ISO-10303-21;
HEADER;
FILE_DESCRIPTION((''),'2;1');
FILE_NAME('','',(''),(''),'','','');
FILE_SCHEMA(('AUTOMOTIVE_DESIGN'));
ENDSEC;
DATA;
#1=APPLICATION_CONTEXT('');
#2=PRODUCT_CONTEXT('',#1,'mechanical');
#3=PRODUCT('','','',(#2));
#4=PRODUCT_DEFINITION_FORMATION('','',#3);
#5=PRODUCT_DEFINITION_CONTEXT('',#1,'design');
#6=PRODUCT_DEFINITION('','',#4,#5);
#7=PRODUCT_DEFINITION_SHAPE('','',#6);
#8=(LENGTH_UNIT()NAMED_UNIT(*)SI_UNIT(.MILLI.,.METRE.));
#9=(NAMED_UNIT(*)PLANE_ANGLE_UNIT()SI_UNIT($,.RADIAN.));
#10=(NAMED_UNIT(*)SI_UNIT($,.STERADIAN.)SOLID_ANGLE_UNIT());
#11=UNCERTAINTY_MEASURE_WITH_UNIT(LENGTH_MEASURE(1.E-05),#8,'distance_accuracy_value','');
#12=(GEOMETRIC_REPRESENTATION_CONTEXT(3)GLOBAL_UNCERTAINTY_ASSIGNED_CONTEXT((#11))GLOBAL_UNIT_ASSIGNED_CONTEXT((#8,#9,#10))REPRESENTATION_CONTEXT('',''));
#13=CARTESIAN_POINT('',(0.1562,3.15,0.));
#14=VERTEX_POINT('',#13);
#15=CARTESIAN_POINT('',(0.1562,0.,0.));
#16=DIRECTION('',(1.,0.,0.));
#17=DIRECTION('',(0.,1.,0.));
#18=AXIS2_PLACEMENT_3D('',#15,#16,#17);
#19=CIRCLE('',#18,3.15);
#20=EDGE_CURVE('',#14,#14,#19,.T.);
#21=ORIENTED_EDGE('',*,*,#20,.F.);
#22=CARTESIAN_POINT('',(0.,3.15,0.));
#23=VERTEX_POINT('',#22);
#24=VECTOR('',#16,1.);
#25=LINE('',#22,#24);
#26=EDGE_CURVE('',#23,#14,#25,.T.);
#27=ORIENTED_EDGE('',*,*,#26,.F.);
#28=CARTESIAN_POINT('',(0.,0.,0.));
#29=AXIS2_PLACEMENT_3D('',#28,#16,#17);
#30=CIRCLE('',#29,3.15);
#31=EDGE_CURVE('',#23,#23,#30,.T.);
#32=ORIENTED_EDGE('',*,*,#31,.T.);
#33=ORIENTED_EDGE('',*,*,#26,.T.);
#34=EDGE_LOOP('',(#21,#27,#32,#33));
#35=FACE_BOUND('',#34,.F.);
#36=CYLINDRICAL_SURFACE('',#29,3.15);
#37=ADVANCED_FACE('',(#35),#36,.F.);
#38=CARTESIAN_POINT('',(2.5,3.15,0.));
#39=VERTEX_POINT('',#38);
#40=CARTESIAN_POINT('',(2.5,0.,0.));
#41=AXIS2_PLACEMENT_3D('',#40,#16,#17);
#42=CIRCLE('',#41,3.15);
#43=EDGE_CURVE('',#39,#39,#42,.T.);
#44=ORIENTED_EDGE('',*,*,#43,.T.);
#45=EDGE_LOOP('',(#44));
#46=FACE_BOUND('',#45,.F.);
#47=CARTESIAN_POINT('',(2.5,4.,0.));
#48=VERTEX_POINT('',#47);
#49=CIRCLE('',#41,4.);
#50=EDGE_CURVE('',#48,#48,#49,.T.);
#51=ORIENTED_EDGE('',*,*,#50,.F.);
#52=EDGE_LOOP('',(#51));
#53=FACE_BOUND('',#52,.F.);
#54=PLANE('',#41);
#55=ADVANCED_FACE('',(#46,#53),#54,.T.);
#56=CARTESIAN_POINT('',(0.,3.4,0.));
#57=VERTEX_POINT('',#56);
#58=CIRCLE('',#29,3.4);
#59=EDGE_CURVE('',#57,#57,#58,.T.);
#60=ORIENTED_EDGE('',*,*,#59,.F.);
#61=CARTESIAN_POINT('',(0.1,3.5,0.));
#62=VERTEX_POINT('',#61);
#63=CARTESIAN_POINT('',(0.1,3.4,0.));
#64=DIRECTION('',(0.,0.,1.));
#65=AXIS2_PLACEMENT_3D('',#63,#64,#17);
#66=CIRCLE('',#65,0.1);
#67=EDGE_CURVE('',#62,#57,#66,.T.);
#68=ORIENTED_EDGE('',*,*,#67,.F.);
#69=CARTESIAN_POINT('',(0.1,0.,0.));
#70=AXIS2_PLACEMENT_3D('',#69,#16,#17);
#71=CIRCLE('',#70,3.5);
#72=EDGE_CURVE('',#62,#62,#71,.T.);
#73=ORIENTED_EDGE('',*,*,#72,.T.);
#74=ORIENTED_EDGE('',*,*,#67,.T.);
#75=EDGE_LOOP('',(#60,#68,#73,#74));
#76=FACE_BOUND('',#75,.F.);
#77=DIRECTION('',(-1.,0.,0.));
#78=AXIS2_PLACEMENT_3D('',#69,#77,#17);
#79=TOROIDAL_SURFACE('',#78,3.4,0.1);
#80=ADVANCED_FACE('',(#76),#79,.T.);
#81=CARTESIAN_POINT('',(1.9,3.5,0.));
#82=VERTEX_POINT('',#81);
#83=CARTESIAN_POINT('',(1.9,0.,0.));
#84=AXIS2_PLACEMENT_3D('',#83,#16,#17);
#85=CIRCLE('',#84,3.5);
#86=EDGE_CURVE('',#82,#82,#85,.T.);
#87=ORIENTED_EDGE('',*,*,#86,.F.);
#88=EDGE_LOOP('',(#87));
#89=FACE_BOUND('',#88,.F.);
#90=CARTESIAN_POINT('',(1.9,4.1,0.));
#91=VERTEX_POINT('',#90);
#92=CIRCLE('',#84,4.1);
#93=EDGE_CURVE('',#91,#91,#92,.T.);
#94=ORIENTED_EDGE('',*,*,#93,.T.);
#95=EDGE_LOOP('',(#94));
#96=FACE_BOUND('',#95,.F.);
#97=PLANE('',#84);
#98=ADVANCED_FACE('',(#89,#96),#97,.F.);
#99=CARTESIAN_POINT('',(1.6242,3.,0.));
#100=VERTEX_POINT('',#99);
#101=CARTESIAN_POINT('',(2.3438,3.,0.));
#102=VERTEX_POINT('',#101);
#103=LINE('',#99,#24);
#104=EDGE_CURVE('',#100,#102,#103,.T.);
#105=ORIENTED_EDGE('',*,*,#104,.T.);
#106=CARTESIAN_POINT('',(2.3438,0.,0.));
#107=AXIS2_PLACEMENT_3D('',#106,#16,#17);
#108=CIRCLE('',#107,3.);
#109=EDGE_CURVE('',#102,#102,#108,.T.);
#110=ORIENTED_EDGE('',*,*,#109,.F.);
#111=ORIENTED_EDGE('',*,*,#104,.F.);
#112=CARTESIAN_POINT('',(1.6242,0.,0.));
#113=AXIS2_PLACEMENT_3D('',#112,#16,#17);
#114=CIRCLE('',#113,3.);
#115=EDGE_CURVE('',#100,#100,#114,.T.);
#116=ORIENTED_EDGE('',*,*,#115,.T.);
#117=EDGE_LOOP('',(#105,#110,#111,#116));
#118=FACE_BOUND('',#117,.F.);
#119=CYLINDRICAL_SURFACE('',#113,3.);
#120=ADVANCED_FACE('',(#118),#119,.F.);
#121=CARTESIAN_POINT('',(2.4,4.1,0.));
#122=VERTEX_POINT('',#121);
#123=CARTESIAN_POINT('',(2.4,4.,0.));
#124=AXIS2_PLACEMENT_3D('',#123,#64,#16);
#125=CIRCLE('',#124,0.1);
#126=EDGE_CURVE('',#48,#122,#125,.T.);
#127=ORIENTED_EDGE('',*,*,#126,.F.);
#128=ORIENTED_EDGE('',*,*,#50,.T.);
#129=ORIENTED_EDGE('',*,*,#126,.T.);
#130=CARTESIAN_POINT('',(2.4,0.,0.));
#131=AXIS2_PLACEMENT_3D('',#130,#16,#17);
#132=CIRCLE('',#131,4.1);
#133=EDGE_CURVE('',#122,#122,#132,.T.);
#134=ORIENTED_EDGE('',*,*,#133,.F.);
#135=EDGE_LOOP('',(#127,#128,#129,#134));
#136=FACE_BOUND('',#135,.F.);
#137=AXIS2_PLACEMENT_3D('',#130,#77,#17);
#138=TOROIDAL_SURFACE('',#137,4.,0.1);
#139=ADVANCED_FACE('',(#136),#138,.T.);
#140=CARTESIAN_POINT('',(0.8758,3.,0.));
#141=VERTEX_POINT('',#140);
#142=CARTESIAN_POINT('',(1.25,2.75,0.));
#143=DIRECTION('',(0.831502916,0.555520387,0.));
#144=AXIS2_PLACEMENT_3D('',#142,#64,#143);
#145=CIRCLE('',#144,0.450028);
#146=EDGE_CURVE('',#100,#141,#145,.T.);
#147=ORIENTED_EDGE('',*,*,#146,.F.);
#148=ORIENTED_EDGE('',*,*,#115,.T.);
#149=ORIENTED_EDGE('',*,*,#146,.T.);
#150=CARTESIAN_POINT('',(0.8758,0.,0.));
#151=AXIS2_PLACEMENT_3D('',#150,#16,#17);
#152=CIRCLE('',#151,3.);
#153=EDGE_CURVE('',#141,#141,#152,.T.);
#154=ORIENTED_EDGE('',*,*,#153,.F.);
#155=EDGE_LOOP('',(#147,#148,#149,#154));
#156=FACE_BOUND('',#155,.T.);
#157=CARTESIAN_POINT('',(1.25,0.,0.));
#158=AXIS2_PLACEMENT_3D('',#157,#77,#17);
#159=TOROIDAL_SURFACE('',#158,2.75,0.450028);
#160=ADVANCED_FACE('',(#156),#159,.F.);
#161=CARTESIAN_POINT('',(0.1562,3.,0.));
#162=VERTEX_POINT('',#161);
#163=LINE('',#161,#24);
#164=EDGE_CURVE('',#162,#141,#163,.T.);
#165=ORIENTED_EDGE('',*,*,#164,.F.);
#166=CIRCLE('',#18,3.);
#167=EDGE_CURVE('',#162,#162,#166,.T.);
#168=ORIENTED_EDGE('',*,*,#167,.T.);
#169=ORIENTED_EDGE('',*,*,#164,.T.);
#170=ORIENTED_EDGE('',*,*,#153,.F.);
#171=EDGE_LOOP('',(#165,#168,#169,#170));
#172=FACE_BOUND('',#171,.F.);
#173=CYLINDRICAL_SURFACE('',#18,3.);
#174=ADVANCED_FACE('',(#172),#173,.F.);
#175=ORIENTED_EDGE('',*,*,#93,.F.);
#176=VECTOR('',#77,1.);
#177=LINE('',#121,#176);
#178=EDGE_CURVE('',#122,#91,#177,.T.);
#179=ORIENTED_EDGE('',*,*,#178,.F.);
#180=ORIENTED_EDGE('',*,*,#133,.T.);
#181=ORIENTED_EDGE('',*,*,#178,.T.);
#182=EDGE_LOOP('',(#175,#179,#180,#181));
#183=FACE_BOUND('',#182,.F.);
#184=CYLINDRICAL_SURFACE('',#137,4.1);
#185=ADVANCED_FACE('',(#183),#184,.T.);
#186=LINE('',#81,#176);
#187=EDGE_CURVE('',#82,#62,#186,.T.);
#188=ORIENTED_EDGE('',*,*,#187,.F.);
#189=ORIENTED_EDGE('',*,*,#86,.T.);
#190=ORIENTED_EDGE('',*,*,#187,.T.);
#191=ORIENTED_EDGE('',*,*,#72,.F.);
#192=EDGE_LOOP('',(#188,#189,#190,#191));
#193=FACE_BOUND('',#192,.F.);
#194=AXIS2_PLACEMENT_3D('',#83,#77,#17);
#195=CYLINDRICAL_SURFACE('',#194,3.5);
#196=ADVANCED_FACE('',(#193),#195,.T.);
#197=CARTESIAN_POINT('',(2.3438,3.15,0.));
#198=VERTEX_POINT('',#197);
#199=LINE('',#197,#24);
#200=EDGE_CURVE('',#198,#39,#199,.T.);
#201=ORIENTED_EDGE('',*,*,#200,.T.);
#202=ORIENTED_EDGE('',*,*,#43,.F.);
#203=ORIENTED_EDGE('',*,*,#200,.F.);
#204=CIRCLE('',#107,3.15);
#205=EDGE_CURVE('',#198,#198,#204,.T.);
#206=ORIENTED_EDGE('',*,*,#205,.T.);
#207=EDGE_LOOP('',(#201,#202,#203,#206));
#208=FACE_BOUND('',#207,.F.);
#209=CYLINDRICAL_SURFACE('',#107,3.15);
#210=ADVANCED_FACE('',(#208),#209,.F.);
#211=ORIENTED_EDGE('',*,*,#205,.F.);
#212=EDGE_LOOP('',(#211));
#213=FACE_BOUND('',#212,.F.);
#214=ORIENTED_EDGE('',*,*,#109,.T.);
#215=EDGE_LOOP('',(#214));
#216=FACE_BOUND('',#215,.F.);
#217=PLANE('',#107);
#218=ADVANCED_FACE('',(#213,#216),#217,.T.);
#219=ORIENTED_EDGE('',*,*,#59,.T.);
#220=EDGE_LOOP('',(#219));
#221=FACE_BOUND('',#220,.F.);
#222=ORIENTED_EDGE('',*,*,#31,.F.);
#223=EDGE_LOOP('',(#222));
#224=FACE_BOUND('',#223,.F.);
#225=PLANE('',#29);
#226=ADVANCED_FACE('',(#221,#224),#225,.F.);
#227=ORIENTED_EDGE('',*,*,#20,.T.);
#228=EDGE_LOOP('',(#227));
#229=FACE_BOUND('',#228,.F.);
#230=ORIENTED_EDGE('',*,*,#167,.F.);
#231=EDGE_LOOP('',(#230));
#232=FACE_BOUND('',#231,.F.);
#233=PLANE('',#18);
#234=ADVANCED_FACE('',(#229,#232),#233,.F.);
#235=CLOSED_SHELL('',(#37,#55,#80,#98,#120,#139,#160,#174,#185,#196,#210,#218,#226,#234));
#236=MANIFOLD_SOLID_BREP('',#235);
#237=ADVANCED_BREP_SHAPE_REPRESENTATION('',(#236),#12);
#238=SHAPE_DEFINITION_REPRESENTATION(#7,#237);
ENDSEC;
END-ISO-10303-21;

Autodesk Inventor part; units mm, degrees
sketch "Sketch_1" plane through (0, 0, 0) normal (0, 0, 1) x (1, 0, 0)
  line L0 (2.5, 0) -> (0, 0)
  line L1 (0, 3.15) -> (0.1562, 3.15)
  line L2 (0.1562, 3.15) -> (0.1562, 3)
  line L3 (0.1562, 3) -> (0.8758, 3)
  arc A0 (1.6242, 3) -> (0.8758, 3) centre (1.25, 2.75) ccw
  line L4 (1.6242, 3) -> (2.3438, 3)
  line L5 (2.3438, 3) -> (2.3438, 3.15)
  line L6 (2.3438, 3.15) -> (2.5, 3.15)
  line L7 (2.5, 3.15) -> (2.5, 4)
  arc A1 (2.5, 4) -> (2.4, 4.1) centre (2.4, 4) ccw
  line L8 (2.4, 4.1) -> (1.9, 4.1)
  line L9 (1.9, 4.1) -> (1.9, 3.5)
  line L10 (1.9, 3.5) -> (0.1, 3.5)
  arc A2 (0.1, 3.5) -> (0, 3.4) centre (0.1, 3.4) ccw
  line L11 (0, 3.4) -> (0, 3.15)
revolve "Revolution1" add sketch "Sketch_1" angle 360 about axis through (2.5, 0, 0) along (1, 0, 0)
ref_plane "ip_st_1_XY" through (0, 0, 0) normal (1, 0, 0) x (0, 0, -1)
ref_plane "ip_st_1_YZ" through (0, 0, 0) normal (0, 0, -1) x (0, 1, 0)
ref_plane "ip_st_1_ZX" through (0, 0, 0) normal (0, 1, 0) x (1, 0, 0)
ref_plane "ip_st_2_XY" through (2.3438, 0, 0) normal (-1, 0, 0) x (0, 0, -1)
ref_plane "ip_st_2_YZ" through (2.3438, 0, 0) normal (0, 0, -1) x (0, -1, 0)
ref_plane "ip_st_2_ZX" through (2.3438, 0, 0) normal (0, -1, 0) x (-1, 0, 0)
properties part number "MF74ZZ Outer Ring"
